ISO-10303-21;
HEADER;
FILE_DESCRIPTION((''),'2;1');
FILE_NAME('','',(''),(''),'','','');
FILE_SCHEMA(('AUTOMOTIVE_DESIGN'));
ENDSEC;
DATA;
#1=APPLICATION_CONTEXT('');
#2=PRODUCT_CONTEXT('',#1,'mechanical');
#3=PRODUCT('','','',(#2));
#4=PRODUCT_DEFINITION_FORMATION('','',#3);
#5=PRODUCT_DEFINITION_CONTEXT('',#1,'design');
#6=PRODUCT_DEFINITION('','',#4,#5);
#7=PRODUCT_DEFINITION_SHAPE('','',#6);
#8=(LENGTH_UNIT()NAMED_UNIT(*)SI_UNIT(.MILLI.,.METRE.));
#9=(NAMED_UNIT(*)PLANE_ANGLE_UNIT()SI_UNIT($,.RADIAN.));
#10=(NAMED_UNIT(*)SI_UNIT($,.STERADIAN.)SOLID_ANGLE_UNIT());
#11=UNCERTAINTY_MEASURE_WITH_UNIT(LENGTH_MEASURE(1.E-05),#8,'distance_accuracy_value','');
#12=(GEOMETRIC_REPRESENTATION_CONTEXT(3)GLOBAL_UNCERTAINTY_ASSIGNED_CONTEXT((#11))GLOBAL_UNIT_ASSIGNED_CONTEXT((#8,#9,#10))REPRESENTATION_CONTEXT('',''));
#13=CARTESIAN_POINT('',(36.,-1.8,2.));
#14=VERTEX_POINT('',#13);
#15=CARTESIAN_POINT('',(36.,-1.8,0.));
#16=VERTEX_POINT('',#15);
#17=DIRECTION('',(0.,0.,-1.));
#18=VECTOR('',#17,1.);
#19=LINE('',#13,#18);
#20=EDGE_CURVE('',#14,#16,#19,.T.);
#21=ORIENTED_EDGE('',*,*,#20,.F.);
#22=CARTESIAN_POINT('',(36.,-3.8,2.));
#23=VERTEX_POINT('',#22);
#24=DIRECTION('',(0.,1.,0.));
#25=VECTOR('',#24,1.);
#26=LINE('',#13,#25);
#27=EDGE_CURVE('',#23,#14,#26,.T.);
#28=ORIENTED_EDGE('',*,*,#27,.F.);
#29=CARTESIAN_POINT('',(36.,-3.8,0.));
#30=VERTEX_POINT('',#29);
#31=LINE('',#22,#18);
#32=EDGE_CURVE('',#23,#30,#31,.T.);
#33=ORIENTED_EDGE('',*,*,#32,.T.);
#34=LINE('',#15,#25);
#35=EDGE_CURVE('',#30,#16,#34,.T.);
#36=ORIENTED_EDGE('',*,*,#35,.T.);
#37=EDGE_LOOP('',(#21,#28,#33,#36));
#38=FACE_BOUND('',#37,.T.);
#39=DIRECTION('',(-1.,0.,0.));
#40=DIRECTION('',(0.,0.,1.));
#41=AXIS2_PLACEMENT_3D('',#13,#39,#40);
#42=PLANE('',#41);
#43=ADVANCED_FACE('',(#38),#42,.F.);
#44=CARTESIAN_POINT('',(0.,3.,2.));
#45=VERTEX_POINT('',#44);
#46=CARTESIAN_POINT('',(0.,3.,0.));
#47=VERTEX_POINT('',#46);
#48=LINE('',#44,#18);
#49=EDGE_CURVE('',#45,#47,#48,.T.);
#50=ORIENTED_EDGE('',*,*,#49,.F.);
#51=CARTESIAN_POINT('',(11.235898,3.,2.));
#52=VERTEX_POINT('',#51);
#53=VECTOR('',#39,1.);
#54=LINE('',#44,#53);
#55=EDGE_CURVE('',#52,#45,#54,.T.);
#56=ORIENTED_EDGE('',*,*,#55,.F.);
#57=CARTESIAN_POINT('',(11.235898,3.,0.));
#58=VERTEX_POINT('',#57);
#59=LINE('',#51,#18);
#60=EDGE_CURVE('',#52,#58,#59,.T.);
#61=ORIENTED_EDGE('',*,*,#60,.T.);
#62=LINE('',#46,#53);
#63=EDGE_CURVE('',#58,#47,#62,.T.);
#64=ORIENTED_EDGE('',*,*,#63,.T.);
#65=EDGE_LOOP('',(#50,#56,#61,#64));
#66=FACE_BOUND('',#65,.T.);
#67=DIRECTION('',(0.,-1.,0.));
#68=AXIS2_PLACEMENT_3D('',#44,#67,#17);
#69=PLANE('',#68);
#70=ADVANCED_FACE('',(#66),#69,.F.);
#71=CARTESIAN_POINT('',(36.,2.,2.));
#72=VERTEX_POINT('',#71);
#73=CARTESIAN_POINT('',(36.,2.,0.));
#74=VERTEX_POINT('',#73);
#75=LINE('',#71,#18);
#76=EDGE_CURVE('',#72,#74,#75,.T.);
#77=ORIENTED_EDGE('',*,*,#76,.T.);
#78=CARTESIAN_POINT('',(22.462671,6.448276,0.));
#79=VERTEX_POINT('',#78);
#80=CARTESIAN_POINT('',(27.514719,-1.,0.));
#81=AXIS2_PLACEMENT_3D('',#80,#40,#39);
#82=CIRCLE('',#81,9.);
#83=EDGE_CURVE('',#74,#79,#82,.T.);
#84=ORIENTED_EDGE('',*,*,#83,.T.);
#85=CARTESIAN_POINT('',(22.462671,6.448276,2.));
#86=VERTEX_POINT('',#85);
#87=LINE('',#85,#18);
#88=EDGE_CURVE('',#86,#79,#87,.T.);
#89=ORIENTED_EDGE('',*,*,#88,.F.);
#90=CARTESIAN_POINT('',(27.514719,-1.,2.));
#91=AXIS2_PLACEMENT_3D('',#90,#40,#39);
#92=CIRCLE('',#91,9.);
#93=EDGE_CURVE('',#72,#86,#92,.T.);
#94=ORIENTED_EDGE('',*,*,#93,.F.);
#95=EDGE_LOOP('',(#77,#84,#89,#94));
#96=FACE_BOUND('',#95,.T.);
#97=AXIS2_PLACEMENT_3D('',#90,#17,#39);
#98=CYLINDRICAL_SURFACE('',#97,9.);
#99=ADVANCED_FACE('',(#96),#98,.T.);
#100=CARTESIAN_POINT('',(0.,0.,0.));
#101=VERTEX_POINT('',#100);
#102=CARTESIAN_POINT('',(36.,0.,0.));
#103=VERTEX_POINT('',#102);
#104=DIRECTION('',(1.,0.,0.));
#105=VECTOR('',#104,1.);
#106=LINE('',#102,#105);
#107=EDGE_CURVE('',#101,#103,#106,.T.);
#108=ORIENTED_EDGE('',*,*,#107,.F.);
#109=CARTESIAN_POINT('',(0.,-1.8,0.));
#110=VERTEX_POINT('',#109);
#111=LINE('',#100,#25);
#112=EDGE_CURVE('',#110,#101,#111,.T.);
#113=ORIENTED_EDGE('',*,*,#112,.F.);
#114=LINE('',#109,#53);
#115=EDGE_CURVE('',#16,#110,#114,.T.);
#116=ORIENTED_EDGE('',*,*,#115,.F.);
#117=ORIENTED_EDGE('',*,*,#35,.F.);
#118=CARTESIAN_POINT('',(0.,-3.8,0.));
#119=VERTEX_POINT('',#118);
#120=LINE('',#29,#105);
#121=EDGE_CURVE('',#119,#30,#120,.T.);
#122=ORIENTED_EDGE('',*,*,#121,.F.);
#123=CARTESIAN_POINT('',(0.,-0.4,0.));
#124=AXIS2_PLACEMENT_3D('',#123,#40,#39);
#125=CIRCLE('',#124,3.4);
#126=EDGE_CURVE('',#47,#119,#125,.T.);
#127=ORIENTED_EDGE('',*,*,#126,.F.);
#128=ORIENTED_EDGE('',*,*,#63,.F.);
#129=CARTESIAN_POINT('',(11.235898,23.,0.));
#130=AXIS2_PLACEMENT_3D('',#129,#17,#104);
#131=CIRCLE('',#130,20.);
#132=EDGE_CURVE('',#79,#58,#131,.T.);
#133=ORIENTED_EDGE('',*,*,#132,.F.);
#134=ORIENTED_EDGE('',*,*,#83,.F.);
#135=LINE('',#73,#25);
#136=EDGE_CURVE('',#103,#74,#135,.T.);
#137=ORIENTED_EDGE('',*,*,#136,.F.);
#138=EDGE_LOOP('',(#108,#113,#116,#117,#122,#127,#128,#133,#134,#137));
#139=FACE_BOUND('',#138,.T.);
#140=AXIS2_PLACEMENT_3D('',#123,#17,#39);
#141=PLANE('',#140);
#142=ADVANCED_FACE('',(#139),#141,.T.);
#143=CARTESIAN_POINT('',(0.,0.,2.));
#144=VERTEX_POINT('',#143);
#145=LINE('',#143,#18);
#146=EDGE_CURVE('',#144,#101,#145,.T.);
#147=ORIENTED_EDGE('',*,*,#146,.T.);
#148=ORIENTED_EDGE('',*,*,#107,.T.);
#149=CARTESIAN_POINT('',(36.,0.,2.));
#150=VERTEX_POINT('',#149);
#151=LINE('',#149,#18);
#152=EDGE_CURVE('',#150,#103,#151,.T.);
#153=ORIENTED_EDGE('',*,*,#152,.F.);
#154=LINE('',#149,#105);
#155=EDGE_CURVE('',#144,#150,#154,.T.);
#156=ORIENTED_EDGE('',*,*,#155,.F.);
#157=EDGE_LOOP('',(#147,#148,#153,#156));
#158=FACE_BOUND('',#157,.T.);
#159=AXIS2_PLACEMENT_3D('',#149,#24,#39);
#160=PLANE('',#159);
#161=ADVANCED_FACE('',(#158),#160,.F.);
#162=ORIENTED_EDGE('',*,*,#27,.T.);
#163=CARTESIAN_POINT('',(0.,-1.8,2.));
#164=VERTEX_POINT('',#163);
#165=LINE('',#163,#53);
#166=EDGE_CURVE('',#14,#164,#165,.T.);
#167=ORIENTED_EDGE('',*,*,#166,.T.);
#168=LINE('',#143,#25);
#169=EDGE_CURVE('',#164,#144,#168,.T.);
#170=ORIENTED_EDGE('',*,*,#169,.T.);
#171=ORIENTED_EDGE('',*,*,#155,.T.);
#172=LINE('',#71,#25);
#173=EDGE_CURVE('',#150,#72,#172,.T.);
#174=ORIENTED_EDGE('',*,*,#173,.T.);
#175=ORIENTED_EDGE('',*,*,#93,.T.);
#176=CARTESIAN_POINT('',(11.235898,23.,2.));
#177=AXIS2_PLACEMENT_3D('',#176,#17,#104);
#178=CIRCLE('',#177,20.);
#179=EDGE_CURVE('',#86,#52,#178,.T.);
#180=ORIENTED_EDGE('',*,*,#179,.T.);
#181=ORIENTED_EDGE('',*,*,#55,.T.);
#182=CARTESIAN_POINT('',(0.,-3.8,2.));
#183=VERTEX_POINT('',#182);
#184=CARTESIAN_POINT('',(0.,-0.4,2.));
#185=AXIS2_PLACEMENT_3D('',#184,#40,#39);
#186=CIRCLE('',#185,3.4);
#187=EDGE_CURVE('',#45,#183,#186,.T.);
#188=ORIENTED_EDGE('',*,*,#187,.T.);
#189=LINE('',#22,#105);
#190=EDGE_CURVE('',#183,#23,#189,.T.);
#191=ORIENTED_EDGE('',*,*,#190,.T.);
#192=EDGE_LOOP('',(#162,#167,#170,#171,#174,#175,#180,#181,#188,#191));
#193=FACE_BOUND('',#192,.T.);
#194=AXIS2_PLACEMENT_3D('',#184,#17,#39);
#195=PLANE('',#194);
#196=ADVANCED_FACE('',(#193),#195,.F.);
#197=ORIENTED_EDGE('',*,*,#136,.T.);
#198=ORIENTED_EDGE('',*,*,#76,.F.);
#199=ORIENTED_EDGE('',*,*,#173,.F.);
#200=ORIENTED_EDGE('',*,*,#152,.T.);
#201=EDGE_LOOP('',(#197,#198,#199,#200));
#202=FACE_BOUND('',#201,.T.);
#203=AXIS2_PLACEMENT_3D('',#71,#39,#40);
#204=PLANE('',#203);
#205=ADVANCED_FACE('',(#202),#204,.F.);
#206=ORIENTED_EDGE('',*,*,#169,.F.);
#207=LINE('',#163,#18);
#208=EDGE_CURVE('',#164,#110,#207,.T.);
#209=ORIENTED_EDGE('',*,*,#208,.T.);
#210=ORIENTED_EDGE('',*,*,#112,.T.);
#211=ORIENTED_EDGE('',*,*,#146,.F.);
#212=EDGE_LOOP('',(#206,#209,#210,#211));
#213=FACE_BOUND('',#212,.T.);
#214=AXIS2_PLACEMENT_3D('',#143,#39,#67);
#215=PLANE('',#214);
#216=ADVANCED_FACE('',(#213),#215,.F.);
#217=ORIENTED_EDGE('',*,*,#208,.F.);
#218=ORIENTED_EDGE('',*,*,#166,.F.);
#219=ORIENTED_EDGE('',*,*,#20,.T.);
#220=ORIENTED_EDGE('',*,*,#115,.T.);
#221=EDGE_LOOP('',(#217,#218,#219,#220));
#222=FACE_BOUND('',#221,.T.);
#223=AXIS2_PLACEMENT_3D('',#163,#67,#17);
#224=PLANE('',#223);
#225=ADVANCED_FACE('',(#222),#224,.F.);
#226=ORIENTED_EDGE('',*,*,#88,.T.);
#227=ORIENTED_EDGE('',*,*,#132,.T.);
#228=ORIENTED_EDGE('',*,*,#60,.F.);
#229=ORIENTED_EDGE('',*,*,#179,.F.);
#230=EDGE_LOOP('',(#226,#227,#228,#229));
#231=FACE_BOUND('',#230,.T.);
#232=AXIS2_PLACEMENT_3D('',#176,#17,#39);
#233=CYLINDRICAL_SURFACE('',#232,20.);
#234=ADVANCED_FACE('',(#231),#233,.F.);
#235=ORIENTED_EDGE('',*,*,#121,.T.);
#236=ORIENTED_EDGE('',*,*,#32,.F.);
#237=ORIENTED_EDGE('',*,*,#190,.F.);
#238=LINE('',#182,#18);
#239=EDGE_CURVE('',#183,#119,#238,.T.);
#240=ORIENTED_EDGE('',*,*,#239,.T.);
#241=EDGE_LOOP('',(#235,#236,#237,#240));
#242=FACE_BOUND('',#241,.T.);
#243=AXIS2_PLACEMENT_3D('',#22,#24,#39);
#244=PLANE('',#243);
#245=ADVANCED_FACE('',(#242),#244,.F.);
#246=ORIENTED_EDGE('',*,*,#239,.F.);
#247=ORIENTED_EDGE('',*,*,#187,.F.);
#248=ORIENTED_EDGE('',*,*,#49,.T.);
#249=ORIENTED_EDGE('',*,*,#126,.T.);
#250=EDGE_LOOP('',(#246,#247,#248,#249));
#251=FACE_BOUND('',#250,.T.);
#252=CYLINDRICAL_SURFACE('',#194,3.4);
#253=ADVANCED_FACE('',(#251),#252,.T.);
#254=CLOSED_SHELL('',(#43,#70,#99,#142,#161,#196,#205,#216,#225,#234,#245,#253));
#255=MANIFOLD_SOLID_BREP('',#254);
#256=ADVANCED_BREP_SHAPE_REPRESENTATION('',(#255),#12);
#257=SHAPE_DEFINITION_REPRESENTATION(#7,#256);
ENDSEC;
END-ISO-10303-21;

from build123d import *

# Parameters (mm, degrees)
SALIENTE_EXTRUIR1_DEPTH = 2


with BuildPart() as part:
    # Croquis1 → Saliente-Extruir1 (new body)
    with BuildSketch(Plane.XY):
        with BuildLine():
            Line((36, 0), (0, 0))
            Line((0, 0), (0, -1.8))
            Line((0, -1.8), (36, -1.8))
            Line((36, -1.8), (36, -3.8))
            Line((36, -3.8), (0, -3.8))
            ThreePointArc((0, -3.8), (-3.4, -0.4), (0, 3))
            Line((0, 3), (11.23589803, 3))
            ThreePointArc((11.23589803, 3), (17.108100225, 3.881494792), (22.462670855, 6.448275862))
            ThreePointArc((22.462670855, 6.448275862), (30.324267127, 7.550230244), (36, 2))
            Line((36, 2), (36, 0))
        make_face()
    extrude(amount=SALIENTE_EXTRUIR1_DEPTH)


solid = part.part
